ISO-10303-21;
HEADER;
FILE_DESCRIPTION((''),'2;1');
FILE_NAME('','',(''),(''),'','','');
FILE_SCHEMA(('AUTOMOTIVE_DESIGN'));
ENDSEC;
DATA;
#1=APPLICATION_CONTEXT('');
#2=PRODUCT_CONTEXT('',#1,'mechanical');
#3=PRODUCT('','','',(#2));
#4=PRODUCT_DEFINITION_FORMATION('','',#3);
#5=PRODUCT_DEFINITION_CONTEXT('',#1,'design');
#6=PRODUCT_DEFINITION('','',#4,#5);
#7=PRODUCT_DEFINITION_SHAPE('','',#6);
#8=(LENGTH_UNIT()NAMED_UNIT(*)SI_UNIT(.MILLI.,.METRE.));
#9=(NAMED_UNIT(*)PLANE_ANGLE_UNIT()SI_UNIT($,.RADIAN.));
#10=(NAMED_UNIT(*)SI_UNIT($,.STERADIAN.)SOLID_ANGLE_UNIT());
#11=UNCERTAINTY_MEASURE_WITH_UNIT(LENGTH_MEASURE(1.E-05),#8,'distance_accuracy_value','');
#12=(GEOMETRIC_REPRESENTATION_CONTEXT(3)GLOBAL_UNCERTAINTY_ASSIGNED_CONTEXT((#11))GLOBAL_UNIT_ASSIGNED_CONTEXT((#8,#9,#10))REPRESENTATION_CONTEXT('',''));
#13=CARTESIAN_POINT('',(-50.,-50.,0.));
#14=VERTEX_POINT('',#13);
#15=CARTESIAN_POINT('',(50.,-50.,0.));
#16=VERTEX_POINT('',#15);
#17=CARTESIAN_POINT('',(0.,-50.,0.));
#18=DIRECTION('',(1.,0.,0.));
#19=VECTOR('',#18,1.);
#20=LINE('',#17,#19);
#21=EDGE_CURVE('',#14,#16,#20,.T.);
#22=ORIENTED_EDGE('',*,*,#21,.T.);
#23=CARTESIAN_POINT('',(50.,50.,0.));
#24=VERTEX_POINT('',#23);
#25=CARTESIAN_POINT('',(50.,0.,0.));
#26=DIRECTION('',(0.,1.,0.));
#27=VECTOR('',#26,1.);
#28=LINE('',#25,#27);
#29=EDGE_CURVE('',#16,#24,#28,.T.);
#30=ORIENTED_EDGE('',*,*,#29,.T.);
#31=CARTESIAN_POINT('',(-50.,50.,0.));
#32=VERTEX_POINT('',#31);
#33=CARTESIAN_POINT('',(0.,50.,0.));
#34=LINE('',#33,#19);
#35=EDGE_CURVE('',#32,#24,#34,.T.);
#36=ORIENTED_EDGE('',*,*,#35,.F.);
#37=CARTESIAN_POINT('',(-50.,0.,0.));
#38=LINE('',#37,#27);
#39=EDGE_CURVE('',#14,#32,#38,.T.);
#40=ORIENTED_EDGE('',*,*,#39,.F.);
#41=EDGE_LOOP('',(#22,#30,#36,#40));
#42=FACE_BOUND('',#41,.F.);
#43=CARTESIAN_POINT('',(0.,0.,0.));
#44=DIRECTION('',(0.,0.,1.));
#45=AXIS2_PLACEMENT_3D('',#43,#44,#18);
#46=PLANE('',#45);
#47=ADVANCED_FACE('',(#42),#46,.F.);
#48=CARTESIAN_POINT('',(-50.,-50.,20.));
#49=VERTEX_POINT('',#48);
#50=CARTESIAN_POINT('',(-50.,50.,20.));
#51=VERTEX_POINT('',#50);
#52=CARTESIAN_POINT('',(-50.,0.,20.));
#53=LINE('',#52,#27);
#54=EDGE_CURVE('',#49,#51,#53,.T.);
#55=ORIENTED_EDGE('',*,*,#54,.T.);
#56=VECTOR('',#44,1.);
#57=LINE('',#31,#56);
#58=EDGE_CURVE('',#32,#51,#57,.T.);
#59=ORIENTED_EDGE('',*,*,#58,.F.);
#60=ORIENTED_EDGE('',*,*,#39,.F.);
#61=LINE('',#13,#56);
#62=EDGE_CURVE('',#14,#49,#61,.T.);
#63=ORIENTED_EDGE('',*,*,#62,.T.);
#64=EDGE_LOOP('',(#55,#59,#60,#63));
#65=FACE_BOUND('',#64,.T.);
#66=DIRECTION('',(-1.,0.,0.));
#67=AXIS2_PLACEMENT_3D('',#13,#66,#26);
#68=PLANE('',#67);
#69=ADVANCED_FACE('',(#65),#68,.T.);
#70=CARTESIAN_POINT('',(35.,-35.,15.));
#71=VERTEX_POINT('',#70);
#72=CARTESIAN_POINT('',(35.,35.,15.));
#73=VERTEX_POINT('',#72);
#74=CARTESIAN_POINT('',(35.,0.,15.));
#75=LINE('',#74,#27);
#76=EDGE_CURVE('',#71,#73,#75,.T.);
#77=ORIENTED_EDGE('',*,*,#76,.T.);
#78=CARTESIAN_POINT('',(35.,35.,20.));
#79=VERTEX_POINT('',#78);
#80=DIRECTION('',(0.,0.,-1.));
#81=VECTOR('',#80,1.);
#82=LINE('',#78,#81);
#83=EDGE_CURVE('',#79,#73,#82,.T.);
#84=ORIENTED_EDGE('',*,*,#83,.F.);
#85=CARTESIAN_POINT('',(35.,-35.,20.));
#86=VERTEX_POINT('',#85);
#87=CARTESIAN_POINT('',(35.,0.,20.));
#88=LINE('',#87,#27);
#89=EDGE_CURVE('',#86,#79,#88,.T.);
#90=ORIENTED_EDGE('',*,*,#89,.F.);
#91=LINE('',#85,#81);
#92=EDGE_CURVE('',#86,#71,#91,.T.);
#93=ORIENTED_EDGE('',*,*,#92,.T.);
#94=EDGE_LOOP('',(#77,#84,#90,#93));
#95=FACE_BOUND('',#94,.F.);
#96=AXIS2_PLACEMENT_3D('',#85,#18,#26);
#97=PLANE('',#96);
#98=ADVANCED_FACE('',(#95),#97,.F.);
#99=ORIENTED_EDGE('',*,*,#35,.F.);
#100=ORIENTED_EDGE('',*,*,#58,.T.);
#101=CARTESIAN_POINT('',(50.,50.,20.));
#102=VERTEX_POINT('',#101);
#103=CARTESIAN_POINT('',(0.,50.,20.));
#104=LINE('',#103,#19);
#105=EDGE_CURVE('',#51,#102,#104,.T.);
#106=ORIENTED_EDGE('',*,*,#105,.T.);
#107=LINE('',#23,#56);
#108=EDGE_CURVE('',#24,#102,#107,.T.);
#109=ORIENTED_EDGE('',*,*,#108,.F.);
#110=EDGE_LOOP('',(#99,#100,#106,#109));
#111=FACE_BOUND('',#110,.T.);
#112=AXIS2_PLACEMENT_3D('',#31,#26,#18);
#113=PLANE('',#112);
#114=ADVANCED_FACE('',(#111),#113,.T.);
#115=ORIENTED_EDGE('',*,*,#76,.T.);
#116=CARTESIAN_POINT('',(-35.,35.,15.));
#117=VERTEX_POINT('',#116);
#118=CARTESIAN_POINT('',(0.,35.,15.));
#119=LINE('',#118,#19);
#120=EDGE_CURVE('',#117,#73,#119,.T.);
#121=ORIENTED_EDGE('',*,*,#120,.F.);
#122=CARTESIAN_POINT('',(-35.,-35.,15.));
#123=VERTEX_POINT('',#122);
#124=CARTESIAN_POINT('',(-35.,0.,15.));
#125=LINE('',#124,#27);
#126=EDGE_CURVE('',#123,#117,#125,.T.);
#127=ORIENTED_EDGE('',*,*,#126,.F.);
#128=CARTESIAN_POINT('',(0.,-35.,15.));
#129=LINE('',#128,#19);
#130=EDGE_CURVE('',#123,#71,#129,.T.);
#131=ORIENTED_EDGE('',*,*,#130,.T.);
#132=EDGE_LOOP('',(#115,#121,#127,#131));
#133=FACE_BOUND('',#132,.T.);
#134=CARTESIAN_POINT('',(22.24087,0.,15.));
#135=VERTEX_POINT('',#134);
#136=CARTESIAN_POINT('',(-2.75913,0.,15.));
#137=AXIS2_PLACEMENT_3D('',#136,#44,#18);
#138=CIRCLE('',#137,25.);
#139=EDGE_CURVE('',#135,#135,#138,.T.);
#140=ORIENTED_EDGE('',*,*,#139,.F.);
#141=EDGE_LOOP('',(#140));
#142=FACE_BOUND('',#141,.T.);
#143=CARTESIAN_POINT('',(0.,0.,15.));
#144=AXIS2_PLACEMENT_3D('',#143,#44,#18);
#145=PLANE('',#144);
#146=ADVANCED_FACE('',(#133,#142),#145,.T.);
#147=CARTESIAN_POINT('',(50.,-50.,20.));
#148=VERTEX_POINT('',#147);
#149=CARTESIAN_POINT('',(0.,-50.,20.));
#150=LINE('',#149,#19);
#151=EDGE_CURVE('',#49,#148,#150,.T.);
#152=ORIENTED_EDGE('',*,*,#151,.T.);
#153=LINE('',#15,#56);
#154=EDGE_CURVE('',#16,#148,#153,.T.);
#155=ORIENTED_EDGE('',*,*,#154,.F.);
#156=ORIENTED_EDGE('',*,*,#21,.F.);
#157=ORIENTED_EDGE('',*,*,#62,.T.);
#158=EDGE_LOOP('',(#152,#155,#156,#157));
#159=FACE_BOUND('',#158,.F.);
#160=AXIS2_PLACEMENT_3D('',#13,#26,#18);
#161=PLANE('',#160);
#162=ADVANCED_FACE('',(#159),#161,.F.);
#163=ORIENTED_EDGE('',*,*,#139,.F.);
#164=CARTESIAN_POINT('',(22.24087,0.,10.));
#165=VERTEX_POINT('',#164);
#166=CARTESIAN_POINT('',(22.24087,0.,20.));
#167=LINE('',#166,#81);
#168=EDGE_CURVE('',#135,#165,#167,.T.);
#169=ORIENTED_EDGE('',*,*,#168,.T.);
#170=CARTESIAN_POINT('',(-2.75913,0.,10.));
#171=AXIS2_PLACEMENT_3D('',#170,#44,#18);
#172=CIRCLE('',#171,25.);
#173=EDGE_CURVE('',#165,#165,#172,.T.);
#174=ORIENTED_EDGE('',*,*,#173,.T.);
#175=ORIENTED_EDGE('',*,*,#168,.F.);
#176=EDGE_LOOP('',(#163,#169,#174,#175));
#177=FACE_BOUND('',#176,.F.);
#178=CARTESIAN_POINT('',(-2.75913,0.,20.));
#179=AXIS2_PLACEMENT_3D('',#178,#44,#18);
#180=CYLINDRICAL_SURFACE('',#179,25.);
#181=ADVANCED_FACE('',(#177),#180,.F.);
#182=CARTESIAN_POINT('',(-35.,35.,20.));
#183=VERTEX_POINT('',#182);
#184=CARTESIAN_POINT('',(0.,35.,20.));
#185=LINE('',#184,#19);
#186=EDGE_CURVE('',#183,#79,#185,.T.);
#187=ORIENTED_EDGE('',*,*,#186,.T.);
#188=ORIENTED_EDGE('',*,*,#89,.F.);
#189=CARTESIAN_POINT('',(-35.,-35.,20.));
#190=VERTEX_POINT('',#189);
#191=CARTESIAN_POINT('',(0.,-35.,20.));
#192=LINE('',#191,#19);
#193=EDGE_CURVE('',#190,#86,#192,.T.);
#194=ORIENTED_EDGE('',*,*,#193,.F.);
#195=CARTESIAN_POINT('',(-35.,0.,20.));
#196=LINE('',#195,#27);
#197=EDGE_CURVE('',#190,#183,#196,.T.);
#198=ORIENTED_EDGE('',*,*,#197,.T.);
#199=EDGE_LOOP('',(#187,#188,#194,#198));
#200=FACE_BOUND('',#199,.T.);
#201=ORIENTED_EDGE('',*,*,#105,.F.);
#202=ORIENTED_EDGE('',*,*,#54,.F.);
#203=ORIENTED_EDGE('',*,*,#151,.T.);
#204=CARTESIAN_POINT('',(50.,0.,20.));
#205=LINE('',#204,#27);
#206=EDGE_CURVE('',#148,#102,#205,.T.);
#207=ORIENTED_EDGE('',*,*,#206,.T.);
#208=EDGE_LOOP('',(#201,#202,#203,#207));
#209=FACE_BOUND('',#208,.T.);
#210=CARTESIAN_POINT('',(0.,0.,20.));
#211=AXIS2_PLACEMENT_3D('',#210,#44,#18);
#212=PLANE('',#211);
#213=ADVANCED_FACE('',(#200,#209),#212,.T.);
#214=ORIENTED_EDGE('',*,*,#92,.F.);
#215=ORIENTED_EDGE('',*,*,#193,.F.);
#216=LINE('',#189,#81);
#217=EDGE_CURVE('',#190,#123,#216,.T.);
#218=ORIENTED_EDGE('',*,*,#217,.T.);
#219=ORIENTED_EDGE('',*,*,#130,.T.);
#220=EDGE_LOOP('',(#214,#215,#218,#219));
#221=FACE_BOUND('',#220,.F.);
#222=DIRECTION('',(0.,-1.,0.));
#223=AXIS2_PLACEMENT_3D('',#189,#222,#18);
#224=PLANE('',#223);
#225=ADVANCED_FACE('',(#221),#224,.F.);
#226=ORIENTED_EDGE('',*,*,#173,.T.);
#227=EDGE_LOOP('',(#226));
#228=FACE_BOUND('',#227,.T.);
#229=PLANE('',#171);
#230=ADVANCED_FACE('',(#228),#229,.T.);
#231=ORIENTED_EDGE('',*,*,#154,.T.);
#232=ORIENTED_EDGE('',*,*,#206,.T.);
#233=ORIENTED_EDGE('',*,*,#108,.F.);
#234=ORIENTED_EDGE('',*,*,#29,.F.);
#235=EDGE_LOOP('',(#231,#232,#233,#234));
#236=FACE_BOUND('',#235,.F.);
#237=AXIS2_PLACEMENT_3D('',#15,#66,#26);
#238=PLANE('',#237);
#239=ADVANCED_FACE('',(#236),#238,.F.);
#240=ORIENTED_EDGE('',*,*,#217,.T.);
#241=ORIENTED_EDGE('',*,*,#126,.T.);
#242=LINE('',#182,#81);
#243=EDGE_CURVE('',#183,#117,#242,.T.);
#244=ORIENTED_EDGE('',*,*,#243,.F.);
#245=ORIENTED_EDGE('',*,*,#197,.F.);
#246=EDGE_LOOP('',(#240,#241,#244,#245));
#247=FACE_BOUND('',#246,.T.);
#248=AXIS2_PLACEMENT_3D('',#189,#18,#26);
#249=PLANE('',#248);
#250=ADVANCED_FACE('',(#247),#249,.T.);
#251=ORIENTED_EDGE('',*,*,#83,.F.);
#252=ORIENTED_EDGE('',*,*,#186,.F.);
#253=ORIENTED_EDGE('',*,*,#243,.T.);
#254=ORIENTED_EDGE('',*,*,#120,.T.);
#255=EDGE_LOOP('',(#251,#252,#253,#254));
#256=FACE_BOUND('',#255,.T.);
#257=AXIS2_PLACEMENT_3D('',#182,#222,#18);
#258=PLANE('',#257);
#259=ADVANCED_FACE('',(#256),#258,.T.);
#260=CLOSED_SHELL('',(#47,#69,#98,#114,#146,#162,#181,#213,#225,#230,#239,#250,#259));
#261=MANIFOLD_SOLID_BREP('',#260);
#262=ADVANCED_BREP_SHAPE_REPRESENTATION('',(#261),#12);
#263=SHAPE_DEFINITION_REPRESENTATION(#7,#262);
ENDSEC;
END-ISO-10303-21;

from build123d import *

# Parameters (mm, degrees)
F0_W     = 100
F0_H     = 100
F1_DEPTH = 20
F2_R     = 25
F3_DEPTH = 10
F4_W     = 70
F4_H     = 70
F5_DEPTH = 5


with BuildPart() as f1:
    # F0 (on Top) → F1 (new body)
    with BuildSketch(Plane.XY):
        Rectangle(F0_W, F0_H)
    extrude(amount=F1_DEPTH)

    # F2 (on face) → F3 (cut)
    with BuildSketch(Plane.XY.offset(20)):
        with Locations((-2.75913, 0)):
            Circle(F2_R)
    extrude(amount=-F3_DEPTH, mode=Mode.SUBTRACT)

    # F4 (on face) → F5 (cut)
    with BuildSketch(Plane.XY.offset(20)):
        Rectangle(F4_W, F4_H)
    extrude(amount=-F5_DEPTH, mode=Mode.SUBTRACT)


solid = f1.part
